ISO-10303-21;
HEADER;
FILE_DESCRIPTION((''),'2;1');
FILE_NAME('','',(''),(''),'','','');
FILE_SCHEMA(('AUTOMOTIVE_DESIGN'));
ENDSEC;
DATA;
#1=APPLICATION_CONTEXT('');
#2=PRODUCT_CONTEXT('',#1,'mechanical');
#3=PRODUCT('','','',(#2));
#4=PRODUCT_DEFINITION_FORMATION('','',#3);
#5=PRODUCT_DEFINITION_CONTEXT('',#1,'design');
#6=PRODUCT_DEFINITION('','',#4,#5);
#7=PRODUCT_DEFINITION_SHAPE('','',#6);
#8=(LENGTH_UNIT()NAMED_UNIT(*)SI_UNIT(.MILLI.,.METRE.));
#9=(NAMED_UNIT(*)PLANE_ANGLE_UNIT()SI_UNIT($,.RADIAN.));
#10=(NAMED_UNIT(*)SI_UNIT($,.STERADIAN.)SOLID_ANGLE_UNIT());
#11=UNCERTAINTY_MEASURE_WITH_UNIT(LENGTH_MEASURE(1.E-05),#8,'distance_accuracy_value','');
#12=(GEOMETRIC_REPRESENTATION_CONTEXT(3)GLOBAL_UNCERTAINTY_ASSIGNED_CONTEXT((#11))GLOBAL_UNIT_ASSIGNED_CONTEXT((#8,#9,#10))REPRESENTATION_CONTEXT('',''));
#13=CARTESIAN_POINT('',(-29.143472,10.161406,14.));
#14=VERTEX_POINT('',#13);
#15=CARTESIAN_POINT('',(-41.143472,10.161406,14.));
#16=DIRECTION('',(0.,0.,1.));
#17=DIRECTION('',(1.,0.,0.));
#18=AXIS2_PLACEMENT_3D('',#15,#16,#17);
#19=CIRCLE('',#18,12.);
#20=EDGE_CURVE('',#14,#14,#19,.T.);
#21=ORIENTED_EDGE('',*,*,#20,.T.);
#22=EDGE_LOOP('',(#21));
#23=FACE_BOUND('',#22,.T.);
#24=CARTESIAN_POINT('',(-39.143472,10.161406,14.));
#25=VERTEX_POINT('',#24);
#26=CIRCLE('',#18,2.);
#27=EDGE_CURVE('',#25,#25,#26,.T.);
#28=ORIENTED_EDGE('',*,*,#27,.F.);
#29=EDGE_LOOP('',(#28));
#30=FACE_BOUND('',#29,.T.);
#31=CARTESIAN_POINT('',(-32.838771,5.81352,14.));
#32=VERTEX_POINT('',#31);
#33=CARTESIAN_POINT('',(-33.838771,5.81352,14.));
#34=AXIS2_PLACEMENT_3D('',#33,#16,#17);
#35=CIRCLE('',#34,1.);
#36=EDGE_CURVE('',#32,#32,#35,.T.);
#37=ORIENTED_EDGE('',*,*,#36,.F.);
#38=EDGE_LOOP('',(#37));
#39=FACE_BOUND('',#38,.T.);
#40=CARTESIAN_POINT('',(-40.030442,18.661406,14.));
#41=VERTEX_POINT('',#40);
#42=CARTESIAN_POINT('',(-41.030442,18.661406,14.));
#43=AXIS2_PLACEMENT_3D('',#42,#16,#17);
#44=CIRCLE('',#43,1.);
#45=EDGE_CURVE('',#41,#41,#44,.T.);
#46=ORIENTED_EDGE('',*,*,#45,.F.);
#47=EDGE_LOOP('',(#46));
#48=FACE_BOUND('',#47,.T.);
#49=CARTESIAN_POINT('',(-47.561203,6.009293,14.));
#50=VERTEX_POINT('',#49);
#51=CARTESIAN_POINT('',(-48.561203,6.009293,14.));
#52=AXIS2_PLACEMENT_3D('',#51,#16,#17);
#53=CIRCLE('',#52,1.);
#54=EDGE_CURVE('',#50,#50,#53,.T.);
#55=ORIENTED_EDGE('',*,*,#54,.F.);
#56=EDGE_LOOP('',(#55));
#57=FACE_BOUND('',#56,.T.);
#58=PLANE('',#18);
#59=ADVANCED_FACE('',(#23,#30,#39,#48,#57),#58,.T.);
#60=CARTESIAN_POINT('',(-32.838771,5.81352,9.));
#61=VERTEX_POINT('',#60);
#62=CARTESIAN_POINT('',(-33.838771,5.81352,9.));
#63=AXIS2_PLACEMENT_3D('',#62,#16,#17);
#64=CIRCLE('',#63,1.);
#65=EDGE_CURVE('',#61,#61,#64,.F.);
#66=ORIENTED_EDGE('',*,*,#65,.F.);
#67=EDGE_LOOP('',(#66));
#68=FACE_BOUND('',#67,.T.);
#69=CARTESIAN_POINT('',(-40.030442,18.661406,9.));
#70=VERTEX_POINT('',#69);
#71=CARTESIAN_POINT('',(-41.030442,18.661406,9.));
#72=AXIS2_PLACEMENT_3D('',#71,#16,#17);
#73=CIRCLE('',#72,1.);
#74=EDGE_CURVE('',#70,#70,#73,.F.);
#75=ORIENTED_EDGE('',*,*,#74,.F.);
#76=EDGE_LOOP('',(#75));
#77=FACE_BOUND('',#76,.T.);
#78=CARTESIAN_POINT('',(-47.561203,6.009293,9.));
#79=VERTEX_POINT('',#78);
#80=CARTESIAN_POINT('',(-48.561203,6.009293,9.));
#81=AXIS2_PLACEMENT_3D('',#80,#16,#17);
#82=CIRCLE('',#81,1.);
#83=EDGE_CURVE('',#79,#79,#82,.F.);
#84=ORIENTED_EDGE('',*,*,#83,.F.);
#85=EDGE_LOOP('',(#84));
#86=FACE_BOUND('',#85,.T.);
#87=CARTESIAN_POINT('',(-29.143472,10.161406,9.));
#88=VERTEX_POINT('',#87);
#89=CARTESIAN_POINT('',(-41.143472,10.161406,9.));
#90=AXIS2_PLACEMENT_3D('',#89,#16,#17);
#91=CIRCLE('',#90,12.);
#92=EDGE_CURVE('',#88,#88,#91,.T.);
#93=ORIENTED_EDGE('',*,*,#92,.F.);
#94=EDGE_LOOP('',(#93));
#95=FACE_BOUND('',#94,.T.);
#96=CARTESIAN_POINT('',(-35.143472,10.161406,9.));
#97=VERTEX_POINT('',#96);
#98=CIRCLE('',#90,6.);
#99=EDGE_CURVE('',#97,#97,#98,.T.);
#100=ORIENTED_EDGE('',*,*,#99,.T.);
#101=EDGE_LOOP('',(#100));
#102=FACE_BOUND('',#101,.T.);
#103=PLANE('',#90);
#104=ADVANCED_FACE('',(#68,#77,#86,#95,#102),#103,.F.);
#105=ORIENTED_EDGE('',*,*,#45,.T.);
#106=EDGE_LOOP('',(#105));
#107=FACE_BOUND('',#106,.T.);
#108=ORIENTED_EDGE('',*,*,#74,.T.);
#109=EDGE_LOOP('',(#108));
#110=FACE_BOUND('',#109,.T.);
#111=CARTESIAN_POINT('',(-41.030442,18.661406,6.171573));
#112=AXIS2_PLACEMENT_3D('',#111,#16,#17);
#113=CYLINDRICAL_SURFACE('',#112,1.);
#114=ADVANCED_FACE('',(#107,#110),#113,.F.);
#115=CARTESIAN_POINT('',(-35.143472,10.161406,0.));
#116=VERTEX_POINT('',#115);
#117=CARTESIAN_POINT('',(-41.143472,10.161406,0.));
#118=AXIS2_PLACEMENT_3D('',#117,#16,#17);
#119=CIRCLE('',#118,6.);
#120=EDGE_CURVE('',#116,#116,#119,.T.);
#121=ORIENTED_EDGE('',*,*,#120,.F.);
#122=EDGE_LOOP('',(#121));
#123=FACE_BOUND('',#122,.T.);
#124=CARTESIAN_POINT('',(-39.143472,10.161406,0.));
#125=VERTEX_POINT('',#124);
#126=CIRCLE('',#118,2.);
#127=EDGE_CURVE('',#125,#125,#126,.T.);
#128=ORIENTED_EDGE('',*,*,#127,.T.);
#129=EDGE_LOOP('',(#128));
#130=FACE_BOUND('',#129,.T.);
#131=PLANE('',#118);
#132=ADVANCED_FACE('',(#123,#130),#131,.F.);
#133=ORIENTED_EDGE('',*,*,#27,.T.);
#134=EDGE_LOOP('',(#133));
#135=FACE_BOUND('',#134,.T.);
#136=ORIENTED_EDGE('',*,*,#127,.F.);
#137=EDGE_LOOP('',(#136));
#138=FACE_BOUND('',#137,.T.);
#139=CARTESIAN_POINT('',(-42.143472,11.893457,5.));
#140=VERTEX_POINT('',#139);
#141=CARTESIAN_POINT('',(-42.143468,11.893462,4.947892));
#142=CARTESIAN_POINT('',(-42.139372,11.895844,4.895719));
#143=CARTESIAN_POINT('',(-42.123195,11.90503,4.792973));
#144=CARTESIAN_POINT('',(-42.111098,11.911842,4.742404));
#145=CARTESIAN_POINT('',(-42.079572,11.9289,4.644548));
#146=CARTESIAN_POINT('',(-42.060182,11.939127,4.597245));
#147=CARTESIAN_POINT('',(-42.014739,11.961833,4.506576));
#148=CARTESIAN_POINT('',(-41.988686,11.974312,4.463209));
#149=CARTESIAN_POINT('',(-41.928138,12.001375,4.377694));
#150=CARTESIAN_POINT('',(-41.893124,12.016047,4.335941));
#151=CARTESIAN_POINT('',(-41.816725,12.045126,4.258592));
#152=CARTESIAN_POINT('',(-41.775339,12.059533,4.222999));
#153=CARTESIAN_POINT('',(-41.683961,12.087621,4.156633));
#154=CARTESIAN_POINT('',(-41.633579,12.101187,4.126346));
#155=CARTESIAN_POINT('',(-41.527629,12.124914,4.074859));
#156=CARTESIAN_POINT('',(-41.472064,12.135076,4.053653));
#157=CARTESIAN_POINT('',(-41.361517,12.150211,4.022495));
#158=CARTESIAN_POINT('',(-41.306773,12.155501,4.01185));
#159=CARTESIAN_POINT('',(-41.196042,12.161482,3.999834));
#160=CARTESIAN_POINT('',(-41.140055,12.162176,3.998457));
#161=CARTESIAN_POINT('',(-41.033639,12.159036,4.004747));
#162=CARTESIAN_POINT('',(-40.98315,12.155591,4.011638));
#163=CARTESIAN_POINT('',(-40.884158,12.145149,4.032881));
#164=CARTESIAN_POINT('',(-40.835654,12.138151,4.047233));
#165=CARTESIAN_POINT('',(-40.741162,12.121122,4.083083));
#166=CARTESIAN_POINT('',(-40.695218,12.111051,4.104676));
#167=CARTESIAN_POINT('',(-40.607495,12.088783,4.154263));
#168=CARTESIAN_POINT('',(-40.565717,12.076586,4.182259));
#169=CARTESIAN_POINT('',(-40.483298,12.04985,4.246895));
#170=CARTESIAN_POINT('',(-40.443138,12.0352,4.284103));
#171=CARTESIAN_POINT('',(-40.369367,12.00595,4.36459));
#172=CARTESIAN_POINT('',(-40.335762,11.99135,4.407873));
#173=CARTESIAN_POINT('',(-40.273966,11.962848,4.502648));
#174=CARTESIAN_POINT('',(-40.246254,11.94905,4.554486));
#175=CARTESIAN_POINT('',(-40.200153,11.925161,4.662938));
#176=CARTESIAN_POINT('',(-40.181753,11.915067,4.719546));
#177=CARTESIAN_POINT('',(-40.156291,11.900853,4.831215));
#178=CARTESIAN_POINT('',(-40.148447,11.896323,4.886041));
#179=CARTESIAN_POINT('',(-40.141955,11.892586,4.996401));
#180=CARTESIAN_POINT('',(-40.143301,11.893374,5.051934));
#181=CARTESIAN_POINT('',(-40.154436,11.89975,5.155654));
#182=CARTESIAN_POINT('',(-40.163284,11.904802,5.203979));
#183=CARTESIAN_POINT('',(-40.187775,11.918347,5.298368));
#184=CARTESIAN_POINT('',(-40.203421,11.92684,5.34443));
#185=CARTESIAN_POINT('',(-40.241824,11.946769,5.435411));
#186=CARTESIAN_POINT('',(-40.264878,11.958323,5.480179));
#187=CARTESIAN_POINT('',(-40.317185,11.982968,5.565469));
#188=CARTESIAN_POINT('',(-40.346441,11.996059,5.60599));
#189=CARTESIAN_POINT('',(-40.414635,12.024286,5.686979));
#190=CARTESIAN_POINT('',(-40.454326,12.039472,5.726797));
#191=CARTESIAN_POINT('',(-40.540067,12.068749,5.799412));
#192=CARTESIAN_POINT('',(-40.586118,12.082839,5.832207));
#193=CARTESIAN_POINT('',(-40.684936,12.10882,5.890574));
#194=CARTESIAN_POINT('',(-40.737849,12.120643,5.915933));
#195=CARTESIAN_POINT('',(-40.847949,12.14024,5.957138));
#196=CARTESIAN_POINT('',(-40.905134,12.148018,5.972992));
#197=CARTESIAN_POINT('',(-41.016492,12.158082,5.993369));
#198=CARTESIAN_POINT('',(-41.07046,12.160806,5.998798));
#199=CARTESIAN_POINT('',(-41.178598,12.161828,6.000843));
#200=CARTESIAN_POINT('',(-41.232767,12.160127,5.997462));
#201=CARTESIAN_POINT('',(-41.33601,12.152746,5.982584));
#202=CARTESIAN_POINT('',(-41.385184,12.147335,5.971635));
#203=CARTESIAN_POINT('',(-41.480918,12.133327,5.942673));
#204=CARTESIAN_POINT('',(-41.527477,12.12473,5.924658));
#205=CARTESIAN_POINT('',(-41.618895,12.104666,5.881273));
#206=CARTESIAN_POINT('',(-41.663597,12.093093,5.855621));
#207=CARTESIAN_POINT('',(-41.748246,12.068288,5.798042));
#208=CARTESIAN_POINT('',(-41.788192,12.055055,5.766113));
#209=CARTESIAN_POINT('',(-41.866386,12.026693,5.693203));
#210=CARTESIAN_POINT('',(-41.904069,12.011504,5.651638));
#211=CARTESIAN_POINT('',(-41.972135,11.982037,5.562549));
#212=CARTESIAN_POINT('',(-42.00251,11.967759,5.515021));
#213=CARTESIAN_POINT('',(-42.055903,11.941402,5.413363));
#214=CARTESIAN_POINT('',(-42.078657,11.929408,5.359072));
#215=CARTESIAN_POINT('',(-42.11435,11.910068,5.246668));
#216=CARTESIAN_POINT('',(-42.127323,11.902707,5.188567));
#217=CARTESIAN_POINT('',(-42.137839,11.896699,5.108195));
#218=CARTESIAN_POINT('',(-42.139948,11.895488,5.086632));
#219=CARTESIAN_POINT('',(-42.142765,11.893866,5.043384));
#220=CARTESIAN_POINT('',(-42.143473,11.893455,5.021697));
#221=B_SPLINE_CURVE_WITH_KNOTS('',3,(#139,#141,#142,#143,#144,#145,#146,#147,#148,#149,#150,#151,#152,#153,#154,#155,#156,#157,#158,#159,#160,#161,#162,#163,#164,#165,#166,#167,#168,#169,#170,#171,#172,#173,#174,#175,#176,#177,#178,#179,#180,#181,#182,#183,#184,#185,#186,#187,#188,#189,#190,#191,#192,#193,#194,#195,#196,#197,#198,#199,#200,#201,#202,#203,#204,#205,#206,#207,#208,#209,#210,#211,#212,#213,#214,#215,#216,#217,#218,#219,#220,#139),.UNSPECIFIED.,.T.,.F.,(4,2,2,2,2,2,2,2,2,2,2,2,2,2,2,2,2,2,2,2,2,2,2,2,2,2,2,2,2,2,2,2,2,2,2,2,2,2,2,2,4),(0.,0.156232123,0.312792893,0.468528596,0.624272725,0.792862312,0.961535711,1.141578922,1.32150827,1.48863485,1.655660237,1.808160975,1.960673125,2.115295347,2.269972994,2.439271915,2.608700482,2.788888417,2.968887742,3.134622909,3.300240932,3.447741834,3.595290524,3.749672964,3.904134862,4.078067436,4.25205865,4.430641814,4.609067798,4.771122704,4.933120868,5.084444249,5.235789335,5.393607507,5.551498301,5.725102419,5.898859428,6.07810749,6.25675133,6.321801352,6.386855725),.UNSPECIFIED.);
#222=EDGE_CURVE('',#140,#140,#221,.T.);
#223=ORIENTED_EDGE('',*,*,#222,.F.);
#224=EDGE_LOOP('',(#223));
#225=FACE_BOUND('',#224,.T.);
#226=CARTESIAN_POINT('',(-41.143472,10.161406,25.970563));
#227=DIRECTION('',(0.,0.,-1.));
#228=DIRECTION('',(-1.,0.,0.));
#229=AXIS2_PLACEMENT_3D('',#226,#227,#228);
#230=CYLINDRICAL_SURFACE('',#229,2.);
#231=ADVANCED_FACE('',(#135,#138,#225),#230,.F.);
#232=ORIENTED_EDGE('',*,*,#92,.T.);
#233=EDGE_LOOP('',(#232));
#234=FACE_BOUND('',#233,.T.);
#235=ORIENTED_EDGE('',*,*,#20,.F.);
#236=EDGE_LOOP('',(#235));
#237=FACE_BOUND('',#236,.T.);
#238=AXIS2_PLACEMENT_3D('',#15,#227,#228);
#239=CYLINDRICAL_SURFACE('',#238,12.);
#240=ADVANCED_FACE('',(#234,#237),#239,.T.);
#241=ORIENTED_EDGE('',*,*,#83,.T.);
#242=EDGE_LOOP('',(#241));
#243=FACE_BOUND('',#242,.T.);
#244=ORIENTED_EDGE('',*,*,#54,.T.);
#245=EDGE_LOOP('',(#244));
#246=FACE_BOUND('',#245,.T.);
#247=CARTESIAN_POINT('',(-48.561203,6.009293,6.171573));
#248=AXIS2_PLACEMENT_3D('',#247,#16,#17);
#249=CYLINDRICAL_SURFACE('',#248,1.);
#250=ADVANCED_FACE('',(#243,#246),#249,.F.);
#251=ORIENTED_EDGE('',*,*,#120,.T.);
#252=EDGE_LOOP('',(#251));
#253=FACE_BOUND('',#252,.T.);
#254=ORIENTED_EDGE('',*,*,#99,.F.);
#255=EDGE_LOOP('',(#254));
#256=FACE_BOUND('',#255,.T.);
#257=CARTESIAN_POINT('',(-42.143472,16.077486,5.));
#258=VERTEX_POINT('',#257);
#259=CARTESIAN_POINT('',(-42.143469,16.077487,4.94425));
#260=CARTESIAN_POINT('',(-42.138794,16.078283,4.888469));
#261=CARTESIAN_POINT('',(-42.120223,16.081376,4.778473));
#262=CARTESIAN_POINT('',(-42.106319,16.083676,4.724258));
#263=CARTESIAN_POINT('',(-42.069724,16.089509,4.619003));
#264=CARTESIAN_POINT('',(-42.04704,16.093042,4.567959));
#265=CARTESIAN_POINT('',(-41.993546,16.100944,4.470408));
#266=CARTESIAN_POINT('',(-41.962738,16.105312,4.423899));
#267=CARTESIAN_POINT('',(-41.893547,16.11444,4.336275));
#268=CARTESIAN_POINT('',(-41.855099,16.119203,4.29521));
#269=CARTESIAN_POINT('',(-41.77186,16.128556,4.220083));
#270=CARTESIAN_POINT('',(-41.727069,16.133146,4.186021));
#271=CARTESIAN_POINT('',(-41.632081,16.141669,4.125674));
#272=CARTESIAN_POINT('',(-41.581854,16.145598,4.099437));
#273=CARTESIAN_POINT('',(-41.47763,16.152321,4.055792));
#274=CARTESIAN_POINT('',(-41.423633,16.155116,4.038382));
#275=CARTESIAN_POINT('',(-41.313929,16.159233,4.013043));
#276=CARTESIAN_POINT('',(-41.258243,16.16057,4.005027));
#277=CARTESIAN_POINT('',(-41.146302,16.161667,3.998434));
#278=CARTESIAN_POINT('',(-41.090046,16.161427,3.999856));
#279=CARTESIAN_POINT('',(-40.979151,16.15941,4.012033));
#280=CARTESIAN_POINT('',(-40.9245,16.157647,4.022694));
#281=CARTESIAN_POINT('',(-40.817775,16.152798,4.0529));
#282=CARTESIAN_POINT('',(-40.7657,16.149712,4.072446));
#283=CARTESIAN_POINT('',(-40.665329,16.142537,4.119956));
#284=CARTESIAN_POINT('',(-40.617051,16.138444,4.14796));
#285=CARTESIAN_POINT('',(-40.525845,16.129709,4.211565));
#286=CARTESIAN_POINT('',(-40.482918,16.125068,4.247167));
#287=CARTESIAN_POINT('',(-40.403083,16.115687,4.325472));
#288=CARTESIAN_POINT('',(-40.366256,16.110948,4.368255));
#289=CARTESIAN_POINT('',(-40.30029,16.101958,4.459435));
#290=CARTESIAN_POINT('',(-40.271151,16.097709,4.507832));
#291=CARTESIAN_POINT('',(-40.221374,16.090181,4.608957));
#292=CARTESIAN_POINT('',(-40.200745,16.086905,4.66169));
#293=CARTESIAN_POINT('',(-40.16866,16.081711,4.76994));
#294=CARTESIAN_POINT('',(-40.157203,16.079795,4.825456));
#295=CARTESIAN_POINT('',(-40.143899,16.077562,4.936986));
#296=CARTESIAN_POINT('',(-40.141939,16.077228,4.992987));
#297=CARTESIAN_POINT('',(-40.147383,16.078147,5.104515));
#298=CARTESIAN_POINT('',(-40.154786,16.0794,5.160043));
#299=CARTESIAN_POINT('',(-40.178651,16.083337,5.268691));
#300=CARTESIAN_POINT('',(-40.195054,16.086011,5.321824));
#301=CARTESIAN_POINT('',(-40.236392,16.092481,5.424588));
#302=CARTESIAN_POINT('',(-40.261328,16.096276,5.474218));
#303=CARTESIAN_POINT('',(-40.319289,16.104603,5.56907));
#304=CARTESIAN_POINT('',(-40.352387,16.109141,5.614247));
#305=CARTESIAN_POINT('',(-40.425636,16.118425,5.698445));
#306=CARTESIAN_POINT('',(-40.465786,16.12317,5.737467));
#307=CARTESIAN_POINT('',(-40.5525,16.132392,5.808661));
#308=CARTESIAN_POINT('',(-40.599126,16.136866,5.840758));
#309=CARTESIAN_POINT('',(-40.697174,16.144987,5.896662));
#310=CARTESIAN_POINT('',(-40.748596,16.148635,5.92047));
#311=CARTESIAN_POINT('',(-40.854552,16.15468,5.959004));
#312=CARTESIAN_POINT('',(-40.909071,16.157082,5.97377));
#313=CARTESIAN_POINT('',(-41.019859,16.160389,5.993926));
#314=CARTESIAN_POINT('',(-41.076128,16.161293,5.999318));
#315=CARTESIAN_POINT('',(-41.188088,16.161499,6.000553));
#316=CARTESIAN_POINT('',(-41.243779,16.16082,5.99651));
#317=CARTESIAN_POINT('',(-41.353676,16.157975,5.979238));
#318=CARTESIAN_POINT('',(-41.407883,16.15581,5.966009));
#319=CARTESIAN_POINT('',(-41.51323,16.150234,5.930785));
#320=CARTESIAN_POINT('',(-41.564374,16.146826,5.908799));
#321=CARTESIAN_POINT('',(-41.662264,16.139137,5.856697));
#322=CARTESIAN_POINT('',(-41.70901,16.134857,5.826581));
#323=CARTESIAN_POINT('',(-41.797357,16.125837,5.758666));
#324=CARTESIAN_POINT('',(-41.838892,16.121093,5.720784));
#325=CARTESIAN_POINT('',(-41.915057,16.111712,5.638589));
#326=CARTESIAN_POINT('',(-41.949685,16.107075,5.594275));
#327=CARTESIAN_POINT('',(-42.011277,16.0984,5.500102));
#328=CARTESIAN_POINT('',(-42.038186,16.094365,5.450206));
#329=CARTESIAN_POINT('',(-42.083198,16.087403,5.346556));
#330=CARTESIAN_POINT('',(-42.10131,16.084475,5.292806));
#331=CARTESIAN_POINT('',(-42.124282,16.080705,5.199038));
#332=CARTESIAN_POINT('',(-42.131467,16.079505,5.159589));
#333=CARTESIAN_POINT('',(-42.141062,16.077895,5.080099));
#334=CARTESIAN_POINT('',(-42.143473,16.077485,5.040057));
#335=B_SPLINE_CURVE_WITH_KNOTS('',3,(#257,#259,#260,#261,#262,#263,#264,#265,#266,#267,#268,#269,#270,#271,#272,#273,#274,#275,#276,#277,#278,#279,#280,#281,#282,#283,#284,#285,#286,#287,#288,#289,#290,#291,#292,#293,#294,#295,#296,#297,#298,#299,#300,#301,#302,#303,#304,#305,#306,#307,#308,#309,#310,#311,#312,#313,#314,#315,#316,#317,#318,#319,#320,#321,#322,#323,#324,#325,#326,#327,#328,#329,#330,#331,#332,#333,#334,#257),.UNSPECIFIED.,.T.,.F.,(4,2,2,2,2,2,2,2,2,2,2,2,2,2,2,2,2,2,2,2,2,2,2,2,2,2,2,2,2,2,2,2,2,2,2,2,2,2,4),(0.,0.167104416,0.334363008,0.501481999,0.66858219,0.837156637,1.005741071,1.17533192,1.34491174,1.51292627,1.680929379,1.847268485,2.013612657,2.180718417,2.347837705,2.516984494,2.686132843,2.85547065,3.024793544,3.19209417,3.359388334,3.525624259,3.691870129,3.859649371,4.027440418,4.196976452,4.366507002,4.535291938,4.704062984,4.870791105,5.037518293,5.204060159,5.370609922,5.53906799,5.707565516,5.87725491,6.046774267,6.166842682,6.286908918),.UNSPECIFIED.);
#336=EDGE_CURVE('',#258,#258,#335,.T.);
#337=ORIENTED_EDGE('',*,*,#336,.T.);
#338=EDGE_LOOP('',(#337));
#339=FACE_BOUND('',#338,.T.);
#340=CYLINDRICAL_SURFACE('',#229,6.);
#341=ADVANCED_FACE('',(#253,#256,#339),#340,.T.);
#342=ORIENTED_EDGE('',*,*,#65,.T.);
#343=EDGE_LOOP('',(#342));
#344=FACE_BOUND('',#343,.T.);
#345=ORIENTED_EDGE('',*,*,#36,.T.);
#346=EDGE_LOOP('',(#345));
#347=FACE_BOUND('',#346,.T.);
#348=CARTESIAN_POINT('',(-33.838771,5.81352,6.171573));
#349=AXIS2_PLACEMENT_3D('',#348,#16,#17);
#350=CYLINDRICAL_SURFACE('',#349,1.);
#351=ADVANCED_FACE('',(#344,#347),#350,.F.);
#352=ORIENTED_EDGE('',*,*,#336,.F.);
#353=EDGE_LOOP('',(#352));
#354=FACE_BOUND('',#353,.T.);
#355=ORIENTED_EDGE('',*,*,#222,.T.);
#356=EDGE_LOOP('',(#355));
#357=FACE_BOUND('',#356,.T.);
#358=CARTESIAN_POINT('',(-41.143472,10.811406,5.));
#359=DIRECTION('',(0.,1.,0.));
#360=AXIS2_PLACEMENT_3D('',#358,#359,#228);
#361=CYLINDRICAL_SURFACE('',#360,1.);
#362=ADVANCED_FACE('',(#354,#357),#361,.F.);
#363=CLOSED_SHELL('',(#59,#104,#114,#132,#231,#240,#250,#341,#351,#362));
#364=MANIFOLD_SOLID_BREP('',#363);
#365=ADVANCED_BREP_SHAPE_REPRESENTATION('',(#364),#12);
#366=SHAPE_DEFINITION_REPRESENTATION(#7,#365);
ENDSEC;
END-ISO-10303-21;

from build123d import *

# Parameters (mm, degrees)
SKETCH1_R           = 6
SKETCH1_R_2         = 2
BOSS_EXTRUDE1_DEPTH = 9
SKETCH2_R           = 12
SKETCH2_R_2         = 2
BOSS_EXTRUDE2_DEPTH = 5
SKETCH3_R           = 1
CUT_EXTRUDE1_DEPTH  = 7
SKETCH4_R           = 1
CUT_EXTRUDE2_DEPTH  = 5


with BuildPart() as part:
    # Sketch1 → Boss-Extrude1 (new body)
    with BuildSketch(Plane.XY):
        with Locations((-41.143471688, 10.161406423)):
            Circle(SKETCH1_R)
        with Locations((-41.143471688, 10.161406423)):
            Circle(SKETCH1_R_2, mode=Mode.SUBTRACT)
    extrude(amount=BOSS_EXTRUDE1_DEPTH)

    # Sketch2 → Boss-Extrude2 (add)
    with BuildSketch(Plane.XY.offset(9)):
        with Locations((-41.143471688, 10.161406423)):
            Circle(SKETCH2_R)
        with Locations((-41.143471688, 10.161406423)):
            Circle(SKETCH2_R_2, mode=Mode.SUBTRACT)
    extrude(amount=BOSS_EXTRUDE2_DEPTH)

    # Sketch3 → Cut-Extrude1 (cut)
    with BuildSketch(Plane(origin=(0, 17.811406423, 0), x_dir=(1, 0, 0), z_dir=(0, 1, 0))):
        with Locations(Location((-41.143471688, -5, 0), (0, 0, 180))):
            Circle(SKETCH3_R)
    extrude(amount=-CUT_EXTRUDE1_DEPTH, mode=Mode.SUBTRACT)

    # Sketch4 → Cut-Extrude2 (cut)
    with BuildSketch(Plane.XY.offset(14)):
        with Locations((-41.030441909, 18.661406423)):
            Circle(SKETCH4_R)
        with Locations((-33.838770645, 5.813519763)):
            Circle(SKETCH4_R)
        with Locations((-48.561202509, 6.009293083)):
            Circle(SKETCH4_R)
    extrude(amount=-CUT_EXTRUDE2_DEPTH, mode=Mode.SUBTRACT)


solid = part.part
